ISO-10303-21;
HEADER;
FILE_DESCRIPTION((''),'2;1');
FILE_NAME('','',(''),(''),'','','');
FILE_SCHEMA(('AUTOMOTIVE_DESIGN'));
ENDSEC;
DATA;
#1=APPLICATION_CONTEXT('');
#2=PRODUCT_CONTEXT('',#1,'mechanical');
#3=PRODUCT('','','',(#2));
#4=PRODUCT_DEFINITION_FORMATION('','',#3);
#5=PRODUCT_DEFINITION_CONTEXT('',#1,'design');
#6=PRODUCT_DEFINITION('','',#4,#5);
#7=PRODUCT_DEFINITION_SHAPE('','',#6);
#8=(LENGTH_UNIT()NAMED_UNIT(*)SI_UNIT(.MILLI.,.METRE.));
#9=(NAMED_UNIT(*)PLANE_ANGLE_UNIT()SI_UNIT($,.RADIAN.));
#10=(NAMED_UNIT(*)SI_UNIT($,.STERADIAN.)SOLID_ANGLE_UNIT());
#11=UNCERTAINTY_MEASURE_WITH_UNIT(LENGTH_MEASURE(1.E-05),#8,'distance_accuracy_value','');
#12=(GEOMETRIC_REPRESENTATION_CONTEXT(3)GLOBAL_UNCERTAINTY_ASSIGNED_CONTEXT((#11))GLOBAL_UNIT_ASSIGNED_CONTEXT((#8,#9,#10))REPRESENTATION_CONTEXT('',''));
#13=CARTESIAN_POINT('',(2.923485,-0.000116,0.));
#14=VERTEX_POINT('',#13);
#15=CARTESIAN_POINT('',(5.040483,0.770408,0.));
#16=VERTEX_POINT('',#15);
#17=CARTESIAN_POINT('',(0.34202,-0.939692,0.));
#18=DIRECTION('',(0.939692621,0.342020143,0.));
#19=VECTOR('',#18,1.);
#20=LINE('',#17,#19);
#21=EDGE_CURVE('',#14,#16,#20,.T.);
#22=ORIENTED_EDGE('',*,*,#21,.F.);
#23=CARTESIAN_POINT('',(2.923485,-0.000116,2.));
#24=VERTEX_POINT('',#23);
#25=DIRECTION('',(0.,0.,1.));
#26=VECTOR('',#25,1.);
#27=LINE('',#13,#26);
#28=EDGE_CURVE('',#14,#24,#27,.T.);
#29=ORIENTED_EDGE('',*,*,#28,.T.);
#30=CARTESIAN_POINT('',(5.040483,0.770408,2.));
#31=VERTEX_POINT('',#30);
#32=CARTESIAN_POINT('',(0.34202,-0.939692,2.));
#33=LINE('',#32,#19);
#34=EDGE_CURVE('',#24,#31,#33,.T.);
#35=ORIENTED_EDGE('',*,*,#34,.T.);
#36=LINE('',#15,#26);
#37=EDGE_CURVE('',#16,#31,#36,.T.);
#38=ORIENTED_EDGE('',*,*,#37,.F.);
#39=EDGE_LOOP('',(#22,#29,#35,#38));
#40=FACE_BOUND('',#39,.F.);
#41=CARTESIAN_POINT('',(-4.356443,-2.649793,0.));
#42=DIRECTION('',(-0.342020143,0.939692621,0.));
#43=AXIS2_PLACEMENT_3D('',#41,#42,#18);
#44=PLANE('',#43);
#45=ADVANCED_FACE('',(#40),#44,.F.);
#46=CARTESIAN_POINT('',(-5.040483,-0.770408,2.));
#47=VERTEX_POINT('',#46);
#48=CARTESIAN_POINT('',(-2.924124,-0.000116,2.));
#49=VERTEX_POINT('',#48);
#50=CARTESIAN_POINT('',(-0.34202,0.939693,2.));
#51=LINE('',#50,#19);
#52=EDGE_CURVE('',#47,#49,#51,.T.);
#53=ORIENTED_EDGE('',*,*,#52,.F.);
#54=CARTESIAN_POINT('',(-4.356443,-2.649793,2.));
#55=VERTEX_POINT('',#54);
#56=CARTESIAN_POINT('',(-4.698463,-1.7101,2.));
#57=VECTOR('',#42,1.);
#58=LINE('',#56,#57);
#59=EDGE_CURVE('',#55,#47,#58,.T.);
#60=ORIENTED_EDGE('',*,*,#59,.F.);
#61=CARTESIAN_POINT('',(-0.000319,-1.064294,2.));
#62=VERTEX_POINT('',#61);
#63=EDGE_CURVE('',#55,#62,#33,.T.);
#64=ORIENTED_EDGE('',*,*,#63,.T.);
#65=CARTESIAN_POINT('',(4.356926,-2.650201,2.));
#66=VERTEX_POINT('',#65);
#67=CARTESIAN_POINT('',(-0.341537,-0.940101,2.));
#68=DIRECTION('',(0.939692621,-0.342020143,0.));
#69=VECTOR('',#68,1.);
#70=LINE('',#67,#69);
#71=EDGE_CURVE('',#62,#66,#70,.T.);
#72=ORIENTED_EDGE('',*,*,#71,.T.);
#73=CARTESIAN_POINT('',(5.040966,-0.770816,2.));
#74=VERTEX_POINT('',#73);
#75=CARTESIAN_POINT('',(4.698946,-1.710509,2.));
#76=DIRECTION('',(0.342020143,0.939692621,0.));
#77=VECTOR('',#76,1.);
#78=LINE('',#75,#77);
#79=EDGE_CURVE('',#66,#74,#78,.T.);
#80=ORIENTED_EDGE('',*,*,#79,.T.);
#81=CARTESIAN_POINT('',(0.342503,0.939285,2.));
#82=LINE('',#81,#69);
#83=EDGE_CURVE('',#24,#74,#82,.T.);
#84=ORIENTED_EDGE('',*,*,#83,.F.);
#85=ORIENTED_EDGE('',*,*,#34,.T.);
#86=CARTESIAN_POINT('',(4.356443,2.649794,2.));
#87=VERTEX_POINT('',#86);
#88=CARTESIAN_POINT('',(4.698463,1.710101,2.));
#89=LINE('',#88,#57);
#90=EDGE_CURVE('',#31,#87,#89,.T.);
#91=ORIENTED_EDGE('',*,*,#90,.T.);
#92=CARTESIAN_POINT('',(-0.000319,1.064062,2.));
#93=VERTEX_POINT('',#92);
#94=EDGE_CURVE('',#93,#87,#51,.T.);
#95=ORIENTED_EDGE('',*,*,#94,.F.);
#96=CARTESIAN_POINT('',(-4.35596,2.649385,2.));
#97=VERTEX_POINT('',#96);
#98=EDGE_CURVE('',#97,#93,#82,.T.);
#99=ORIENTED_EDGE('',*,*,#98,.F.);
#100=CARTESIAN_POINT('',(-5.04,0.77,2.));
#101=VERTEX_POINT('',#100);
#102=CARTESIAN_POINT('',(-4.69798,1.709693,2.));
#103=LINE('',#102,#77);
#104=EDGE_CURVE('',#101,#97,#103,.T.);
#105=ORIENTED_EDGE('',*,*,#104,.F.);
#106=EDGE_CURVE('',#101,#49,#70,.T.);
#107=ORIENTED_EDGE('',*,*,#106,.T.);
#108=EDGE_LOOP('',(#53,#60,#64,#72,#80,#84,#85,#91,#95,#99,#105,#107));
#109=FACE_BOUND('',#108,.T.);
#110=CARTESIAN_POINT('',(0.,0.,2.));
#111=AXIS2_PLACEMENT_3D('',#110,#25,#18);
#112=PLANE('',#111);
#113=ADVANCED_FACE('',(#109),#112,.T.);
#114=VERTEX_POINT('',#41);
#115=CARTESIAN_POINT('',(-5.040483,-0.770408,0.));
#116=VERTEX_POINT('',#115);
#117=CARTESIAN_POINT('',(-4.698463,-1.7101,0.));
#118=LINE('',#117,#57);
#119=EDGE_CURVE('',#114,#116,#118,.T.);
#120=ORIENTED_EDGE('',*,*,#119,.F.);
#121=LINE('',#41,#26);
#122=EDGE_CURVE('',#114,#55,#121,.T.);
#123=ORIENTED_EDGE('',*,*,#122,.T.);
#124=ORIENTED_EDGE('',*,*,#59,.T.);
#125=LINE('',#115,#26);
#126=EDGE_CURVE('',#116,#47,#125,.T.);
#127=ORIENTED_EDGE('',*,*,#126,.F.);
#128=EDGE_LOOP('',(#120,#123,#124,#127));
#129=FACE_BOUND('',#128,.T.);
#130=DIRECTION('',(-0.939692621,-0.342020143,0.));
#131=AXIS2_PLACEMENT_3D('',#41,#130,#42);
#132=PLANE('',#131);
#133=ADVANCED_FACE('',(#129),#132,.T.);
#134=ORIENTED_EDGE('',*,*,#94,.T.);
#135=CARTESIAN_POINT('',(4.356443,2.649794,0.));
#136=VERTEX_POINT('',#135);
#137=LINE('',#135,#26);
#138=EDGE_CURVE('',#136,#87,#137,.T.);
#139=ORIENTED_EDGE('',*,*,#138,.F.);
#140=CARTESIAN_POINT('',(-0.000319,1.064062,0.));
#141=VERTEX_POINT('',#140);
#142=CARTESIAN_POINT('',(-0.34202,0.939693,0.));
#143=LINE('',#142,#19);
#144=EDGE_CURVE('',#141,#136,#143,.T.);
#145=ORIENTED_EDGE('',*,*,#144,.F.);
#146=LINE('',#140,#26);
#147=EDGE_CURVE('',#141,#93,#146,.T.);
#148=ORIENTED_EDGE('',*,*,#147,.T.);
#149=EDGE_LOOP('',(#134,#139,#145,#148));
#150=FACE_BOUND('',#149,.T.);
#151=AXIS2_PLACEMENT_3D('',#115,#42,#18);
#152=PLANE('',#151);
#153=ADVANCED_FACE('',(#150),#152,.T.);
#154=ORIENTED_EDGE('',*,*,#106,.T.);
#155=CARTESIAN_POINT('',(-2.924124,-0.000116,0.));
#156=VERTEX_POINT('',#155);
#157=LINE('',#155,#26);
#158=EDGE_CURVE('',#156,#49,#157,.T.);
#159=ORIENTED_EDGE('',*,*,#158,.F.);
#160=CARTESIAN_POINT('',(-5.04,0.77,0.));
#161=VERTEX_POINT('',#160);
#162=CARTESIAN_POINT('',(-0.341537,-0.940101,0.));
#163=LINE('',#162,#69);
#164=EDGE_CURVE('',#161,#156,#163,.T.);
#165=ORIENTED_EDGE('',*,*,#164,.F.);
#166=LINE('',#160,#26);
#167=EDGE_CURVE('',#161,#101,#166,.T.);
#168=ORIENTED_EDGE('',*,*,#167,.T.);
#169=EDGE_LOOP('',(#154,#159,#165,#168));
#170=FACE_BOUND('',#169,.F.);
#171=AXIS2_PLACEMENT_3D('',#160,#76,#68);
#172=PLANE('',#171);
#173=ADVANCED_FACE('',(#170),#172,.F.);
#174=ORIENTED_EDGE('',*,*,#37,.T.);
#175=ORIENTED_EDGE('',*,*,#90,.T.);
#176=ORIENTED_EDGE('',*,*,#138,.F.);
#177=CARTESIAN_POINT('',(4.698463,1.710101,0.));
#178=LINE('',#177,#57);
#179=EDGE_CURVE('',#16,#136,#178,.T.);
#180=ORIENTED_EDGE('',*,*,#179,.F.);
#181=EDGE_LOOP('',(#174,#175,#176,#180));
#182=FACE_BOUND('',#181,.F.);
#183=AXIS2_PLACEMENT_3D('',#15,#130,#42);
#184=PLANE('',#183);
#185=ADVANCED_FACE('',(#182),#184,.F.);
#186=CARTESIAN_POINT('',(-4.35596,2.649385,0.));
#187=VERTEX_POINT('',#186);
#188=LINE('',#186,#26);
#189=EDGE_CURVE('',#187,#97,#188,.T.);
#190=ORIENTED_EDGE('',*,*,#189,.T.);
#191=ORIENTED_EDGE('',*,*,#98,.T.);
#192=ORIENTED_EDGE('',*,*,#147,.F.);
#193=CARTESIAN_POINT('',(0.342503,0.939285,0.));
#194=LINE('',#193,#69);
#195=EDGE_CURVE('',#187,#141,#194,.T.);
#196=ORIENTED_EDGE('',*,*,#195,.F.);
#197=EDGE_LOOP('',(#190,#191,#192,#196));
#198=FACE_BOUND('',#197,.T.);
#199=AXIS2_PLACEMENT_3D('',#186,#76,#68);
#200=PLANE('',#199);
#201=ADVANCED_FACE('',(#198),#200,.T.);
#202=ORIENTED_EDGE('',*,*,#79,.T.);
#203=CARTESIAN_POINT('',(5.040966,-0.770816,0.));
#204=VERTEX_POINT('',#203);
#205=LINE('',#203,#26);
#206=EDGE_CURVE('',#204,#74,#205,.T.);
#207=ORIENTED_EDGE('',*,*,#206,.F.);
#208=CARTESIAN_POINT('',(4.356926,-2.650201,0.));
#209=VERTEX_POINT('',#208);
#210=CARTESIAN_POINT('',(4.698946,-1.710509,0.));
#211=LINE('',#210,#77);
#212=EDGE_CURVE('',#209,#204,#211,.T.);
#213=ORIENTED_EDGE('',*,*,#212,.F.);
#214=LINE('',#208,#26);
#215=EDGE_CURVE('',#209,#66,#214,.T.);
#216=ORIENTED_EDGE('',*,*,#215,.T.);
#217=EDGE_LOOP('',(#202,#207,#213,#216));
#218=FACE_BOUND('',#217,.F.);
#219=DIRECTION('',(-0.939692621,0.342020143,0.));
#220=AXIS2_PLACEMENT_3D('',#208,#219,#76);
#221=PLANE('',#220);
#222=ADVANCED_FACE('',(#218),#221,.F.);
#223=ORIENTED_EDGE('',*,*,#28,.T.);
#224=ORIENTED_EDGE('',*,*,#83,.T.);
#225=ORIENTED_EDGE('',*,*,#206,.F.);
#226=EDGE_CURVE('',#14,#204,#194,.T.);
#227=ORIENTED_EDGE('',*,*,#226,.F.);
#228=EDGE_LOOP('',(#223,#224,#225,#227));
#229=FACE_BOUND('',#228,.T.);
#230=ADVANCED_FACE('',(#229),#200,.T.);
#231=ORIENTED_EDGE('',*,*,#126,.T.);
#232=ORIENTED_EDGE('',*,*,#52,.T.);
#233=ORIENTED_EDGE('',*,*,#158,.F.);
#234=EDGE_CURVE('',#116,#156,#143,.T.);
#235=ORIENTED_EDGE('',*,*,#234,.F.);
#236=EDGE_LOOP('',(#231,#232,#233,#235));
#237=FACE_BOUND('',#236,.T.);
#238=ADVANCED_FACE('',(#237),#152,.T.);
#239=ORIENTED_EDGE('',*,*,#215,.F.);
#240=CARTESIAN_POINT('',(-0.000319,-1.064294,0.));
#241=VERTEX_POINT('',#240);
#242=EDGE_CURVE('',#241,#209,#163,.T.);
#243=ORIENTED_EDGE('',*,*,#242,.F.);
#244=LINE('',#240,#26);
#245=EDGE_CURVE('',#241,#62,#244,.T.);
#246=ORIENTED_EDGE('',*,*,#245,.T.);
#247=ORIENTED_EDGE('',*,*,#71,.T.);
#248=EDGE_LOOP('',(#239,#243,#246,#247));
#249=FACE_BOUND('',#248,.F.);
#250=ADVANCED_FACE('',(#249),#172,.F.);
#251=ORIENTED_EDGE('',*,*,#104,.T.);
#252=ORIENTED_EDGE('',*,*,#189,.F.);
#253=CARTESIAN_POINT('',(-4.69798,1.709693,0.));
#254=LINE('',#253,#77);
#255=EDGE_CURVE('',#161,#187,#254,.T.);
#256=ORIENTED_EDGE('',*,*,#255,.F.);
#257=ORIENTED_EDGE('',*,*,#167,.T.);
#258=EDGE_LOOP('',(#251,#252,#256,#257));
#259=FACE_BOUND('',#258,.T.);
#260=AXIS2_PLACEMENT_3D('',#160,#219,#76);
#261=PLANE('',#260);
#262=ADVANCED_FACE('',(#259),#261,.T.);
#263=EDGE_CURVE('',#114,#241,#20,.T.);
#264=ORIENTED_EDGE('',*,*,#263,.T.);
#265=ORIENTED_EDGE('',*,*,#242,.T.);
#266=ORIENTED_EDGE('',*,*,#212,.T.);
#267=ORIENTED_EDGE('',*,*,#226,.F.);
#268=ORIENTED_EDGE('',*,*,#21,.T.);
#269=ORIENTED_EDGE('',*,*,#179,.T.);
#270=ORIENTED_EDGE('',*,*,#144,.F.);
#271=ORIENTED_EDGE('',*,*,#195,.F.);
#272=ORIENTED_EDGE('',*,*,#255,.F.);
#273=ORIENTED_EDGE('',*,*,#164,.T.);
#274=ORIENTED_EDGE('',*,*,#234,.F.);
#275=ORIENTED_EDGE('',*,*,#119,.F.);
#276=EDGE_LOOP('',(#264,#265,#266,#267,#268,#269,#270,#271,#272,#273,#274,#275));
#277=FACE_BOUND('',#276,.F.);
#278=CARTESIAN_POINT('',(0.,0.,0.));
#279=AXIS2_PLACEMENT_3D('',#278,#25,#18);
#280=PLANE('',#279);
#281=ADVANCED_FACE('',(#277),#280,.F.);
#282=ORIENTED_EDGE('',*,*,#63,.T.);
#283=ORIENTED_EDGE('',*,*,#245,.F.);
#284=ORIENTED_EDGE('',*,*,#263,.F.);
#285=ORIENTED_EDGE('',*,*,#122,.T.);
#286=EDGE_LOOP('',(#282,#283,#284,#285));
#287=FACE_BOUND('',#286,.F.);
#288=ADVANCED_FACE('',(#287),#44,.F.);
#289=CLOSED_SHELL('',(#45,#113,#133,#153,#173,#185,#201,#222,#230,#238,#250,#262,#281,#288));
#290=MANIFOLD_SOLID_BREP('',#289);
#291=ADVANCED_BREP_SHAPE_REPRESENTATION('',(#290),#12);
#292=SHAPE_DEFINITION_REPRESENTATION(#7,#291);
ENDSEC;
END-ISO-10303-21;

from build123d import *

# Parameters (mm, degrees)
BOX002_W               = 10
BOX002_H               = 2
BOX002_DEPTH           = 2
BOX002_PLACEMENT_ANGLE = 20
BOX001_W               = 10
BOX001_H               = 2
BOX001_DEPTH           = 2
BOX001_PLACEMENT_ANGLE = 20


with BuildPart() as cub002:
    # Box002 → Box002 (new body)
    with BuildSketch(Plane.XY):
        with Locations((5, 1)):
            Rectangle(BOX002_W, BOX002_H)
    extrude(amount=BOX002_DEPTH)


with BuildPart() as cub002_1:
    # Box002 placement: moved
    add(cub002.part.moved(Location((0.643557, -1.649793, 0))).rotate(Axis((0.643557, -1.649793, 0), (0, 0, 1)), BOX002_PLACEMENT_ANGLE))


with BuildPart() as fusion001:
    # Box001 → Box001 (new body)
    with BuildSketch(Plane.XY):
        with Locations((5, 1)):
            Rectangle(BOX001_W, BOX001_H)
    extrude(amount=BOX001_DEPTH)


with BuildPart() as fusion001_1:
    # Box001 placement: moved
    add(fusion001.part.moved(Location((-0.04, 1.77, 0))).rotate(Axis((-0.04, 1.77, 0), (0, 0, -1)), BOX001_PLACEMENT_ANGLE))

    # Fusion: union Cub002
    add(cub002_1.part)


with BuildPart() as fusion001_2:
    # Fusion001 placement: moved
    add(fusion001_1.part.moved(Location((-5, -1, 0))))


solid = fusion001_2.part
